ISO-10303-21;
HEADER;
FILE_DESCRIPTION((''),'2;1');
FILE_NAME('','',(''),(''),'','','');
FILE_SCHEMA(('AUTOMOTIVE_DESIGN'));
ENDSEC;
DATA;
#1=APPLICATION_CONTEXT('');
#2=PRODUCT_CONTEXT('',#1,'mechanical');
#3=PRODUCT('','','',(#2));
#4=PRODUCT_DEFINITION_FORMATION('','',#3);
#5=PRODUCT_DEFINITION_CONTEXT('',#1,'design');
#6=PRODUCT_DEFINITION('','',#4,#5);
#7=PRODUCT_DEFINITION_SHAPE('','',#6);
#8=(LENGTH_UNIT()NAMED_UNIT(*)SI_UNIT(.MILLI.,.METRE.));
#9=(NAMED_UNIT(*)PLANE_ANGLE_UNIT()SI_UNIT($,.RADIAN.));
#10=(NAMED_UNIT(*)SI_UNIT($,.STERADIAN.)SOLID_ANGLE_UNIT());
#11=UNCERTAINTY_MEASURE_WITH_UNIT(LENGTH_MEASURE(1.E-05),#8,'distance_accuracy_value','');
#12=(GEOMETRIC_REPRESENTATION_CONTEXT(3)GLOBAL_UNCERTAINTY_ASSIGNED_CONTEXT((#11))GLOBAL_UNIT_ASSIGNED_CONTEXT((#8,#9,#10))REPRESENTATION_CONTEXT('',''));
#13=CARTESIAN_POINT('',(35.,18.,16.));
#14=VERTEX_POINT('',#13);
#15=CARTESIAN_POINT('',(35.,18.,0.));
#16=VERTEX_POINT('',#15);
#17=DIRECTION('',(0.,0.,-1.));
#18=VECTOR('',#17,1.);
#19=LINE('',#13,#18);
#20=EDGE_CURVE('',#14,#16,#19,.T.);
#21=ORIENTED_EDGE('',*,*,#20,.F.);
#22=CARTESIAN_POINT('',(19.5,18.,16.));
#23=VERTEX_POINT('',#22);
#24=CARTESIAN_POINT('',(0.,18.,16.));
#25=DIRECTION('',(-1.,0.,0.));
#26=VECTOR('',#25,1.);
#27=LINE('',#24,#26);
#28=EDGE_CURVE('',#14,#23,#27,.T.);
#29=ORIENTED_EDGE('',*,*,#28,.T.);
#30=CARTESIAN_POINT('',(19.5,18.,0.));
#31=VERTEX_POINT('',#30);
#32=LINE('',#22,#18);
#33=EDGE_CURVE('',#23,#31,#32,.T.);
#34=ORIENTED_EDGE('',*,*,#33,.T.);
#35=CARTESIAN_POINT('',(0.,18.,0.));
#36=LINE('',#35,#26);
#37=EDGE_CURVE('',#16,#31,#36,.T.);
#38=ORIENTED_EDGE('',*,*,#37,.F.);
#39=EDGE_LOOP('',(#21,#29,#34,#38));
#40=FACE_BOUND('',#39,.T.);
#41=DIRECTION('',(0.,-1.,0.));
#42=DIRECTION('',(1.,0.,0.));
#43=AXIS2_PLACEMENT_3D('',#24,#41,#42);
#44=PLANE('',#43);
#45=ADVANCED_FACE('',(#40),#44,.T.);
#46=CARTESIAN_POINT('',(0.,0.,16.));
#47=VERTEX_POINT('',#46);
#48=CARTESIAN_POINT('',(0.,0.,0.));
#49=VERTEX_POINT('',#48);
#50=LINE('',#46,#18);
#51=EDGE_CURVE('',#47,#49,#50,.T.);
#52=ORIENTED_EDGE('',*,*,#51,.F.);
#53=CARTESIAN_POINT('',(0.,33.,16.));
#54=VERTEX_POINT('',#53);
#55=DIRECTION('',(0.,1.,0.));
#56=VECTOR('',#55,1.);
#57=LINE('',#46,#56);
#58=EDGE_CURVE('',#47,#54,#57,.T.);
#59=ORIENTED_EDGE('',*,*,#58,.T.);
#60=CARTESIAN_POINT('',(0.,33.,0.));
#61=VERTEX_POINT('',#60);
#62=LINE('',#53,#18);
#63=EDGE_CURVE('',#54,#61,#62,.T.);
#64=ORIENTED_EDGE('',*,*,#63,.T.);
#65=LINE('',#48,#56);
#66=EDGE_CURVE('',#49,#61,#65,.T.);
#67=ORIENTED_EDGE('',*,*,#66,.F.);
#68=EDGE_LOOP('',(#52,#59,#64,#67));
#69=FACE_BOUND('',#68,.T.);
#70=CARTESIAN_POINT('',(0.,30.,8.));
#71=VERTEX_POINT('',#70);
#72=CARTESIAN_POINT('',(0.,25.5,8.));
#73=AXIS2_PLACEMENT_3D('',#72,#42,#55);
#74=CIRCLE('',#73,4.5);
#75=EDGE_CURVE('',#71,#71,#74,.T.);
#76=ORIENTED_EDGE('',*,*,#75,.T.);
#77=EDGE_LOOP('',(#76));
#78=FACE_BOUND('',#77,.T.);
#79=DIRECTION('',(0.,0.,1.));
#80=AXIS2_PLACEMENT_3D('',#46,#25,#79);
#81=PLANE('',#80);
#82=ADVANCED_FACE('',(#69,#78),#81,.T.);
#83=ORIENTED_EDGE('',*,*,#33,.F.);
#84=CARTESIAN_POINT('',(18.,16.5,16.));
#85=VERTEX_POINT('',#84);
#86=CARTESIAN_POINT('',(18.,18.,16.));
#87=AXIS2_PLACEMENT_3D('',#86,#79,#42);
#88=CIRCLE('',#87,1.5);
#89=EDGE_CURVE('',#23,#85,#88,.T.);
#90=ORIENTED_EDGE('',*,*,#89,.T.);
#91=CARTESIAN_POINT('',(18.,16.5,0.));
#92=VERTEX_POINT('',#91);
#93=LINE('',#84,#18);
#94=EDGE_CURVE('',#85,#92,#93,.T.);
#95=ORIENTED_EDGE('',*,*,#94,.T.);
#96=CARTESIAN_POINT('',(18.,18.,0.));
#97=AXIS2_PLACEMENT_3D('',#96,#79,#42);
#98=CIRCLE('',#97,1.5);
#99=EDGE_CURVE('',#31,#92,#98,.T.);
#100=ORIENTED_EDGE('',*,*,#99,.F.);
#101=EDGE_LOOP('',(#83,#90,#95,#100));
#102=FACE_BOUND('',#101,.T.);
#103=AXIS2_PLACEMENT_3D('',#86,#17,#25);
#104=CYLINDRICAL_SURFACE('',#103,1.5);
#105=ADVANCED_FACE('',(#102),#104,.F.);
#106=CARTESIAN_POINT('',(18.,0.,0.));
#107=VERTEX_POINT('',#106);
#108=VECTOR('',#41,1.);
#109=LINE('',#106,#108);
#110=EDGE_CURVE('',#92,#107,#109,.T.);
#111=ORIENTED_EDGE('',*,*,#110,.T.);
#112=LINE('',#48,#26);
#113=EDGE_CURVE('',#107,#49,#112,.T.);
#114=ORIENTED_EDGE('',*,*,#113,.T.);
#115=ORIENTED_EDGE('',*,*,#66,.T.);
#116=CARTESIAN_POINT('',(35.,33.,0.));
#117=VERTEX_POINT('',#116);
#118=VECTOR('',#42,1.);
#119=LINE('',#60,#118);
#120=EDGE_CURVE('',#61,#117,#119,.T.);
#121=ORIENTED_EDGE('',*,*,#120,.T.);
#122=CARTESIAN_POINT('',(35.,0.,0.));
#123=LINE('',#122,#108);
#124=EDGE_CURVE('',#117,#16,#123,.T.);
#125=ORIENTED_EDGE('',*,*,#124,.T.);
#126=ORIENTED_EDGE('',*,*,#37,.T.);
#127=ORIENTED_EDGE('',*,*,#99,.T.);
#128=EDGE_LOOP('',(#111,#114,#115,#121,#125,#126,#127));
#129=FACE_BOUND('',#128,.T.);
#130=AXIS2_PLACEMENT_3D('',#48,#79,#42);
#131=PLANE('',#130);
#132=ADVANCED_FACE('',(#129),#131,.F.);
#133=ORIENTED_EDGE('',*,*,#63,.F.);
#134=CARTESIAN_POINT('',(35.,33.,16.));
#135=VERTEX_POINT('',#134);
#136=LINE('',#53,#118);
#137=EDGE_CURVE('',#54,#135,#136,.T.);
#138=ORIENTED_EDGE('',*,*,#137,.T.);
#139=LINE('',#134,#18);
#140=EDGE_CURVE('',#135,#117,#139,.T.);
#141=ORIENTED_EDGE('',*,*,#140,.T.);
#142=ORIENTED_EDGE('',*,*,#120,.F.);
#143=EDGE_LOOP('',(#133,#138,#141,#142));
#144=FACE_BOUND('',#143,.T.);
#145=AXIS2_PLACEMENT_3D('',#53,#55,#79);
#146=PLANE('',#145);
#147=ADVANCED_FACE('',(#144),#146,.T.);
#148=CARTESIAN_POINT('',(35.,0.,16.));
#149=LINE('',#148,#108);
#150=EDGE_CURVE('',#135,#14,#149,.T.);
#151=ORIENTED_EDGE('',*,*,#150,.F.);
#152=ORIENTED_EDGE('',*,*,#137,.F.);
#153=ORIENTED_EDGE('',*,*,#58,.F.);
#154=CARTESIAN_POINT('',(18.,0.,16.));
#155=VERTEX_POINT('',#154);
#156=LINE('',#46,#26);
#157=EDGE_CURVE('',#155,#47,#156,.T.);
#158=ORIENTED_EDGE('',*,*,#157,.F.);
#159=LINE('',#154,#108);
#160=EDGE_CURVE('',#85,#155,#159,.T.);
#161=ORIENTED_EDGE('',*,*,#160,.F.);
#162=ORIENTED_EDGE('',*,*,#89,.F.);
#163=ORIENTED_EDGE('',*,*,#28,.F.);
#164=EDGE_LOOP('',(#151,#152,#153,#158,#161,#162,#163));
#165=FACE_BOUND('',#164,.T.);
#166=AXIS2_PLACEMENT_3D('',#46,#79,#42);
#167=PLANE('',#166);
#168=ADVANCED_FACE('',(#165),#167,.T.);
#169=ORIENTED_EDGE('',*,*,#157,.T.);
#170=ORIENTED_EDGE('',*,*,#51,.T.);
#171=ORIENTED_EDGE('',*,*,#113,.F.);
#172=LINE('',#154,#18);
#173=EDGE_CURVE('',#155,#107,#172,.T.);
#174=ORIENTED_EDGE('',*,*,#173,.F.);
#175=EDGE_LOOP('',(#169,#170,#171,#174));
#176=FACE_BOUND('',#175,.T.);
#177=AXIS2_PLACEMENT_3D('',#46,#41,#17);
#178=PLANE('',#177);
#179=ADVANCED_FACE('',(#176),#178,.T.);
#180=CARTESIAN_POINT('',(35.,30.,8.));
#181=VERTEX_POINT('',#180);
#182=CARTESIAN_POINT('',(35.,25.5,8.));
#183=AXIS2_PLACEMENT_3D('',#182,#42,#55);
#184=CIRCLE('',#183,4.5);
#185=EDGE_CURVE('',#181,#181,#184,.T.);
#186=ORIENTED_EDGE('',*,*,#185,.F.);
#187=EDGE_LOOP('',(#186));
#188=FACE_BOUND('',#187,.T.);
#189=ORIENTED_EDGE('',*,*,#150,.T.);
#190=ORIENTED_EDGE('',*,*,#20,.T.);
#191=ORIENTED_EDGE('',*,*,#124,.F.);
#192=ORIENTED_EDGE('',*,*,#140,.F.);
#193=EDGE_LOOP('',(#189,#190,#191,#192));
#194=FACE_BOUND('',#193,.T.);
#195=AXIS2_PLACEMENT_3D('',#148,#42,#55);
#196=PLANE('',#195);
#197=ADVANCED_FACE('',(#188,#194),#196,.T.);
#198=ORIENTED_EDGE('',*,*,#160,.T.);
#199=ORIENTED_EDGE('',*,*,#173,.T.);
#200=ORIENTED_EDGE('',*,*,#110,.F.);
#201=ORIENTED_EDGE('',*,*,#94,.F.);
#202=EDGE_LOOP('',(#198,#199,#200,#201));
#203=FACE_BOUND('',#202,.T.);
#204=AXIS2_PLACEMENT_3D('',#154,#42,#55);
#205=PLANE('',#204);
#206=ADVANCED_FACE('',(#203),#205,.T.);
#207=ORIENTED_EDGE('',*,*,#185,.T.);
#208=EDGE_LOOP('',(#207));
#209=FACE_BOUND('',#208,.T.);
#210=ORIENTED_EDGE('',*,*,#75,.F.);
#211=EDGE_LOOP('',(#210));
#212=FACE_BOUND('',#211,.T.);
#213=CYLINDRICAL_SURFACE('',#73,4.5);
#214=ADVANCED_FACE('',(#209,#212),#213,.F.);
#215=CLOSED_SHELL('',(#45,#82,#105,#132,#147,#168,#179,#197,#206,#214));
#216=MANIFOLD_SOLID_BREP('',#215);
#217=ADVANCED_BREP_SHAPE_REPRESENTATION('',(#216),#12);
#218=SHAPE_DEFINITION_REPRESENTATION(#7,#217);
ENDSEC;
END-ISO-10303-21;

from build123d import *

# Parameters (mm, degrees)
RESSALTO_EXTRUS_O1_DEPTH = 16
ESBO_O5_R                = 4.5
CORTE_EXTRUS_O1_DEPTH    = 51.695167423


with BuildPart() as part:
    # Esboço2 → Ressalto-extrusão1 (new body)
    with BuildSketch(Plane.XY):
        with BuildLine():
            Line((0, 33), (0, 0))
            Line((0, 0), (18, 0))
            Line((18, 0), (18, 16.5))
            ThreePointArc((18, 16.5), (16.939339828, 19.060660172), (19.5, 18))
            Line((19.5, 18), (35, 18))
            Line((35, 18), (35, 33))
            Line((35, 33), (0, 33))
        make_face()
    extrude(amount=RESSALTO_EXTRUS_O1_DEPTH)

    # Esboço5 → Corte-extrusão1 (cut, through all)
    with BuildSketch(Plane(origin=(35, 0, 0), x_dir=(0, 0, -1), z_dir=(1, 0, 0))):
        with Locations(Location((-8, 25.5, 0), (0, 0, 90))):
            Circle(ESBO_O5_R)
    extrude(amount=-CORTE_EXTRUS_O1_DEPTH, mode=Mode.SUBTRACT)


solid = part.part
